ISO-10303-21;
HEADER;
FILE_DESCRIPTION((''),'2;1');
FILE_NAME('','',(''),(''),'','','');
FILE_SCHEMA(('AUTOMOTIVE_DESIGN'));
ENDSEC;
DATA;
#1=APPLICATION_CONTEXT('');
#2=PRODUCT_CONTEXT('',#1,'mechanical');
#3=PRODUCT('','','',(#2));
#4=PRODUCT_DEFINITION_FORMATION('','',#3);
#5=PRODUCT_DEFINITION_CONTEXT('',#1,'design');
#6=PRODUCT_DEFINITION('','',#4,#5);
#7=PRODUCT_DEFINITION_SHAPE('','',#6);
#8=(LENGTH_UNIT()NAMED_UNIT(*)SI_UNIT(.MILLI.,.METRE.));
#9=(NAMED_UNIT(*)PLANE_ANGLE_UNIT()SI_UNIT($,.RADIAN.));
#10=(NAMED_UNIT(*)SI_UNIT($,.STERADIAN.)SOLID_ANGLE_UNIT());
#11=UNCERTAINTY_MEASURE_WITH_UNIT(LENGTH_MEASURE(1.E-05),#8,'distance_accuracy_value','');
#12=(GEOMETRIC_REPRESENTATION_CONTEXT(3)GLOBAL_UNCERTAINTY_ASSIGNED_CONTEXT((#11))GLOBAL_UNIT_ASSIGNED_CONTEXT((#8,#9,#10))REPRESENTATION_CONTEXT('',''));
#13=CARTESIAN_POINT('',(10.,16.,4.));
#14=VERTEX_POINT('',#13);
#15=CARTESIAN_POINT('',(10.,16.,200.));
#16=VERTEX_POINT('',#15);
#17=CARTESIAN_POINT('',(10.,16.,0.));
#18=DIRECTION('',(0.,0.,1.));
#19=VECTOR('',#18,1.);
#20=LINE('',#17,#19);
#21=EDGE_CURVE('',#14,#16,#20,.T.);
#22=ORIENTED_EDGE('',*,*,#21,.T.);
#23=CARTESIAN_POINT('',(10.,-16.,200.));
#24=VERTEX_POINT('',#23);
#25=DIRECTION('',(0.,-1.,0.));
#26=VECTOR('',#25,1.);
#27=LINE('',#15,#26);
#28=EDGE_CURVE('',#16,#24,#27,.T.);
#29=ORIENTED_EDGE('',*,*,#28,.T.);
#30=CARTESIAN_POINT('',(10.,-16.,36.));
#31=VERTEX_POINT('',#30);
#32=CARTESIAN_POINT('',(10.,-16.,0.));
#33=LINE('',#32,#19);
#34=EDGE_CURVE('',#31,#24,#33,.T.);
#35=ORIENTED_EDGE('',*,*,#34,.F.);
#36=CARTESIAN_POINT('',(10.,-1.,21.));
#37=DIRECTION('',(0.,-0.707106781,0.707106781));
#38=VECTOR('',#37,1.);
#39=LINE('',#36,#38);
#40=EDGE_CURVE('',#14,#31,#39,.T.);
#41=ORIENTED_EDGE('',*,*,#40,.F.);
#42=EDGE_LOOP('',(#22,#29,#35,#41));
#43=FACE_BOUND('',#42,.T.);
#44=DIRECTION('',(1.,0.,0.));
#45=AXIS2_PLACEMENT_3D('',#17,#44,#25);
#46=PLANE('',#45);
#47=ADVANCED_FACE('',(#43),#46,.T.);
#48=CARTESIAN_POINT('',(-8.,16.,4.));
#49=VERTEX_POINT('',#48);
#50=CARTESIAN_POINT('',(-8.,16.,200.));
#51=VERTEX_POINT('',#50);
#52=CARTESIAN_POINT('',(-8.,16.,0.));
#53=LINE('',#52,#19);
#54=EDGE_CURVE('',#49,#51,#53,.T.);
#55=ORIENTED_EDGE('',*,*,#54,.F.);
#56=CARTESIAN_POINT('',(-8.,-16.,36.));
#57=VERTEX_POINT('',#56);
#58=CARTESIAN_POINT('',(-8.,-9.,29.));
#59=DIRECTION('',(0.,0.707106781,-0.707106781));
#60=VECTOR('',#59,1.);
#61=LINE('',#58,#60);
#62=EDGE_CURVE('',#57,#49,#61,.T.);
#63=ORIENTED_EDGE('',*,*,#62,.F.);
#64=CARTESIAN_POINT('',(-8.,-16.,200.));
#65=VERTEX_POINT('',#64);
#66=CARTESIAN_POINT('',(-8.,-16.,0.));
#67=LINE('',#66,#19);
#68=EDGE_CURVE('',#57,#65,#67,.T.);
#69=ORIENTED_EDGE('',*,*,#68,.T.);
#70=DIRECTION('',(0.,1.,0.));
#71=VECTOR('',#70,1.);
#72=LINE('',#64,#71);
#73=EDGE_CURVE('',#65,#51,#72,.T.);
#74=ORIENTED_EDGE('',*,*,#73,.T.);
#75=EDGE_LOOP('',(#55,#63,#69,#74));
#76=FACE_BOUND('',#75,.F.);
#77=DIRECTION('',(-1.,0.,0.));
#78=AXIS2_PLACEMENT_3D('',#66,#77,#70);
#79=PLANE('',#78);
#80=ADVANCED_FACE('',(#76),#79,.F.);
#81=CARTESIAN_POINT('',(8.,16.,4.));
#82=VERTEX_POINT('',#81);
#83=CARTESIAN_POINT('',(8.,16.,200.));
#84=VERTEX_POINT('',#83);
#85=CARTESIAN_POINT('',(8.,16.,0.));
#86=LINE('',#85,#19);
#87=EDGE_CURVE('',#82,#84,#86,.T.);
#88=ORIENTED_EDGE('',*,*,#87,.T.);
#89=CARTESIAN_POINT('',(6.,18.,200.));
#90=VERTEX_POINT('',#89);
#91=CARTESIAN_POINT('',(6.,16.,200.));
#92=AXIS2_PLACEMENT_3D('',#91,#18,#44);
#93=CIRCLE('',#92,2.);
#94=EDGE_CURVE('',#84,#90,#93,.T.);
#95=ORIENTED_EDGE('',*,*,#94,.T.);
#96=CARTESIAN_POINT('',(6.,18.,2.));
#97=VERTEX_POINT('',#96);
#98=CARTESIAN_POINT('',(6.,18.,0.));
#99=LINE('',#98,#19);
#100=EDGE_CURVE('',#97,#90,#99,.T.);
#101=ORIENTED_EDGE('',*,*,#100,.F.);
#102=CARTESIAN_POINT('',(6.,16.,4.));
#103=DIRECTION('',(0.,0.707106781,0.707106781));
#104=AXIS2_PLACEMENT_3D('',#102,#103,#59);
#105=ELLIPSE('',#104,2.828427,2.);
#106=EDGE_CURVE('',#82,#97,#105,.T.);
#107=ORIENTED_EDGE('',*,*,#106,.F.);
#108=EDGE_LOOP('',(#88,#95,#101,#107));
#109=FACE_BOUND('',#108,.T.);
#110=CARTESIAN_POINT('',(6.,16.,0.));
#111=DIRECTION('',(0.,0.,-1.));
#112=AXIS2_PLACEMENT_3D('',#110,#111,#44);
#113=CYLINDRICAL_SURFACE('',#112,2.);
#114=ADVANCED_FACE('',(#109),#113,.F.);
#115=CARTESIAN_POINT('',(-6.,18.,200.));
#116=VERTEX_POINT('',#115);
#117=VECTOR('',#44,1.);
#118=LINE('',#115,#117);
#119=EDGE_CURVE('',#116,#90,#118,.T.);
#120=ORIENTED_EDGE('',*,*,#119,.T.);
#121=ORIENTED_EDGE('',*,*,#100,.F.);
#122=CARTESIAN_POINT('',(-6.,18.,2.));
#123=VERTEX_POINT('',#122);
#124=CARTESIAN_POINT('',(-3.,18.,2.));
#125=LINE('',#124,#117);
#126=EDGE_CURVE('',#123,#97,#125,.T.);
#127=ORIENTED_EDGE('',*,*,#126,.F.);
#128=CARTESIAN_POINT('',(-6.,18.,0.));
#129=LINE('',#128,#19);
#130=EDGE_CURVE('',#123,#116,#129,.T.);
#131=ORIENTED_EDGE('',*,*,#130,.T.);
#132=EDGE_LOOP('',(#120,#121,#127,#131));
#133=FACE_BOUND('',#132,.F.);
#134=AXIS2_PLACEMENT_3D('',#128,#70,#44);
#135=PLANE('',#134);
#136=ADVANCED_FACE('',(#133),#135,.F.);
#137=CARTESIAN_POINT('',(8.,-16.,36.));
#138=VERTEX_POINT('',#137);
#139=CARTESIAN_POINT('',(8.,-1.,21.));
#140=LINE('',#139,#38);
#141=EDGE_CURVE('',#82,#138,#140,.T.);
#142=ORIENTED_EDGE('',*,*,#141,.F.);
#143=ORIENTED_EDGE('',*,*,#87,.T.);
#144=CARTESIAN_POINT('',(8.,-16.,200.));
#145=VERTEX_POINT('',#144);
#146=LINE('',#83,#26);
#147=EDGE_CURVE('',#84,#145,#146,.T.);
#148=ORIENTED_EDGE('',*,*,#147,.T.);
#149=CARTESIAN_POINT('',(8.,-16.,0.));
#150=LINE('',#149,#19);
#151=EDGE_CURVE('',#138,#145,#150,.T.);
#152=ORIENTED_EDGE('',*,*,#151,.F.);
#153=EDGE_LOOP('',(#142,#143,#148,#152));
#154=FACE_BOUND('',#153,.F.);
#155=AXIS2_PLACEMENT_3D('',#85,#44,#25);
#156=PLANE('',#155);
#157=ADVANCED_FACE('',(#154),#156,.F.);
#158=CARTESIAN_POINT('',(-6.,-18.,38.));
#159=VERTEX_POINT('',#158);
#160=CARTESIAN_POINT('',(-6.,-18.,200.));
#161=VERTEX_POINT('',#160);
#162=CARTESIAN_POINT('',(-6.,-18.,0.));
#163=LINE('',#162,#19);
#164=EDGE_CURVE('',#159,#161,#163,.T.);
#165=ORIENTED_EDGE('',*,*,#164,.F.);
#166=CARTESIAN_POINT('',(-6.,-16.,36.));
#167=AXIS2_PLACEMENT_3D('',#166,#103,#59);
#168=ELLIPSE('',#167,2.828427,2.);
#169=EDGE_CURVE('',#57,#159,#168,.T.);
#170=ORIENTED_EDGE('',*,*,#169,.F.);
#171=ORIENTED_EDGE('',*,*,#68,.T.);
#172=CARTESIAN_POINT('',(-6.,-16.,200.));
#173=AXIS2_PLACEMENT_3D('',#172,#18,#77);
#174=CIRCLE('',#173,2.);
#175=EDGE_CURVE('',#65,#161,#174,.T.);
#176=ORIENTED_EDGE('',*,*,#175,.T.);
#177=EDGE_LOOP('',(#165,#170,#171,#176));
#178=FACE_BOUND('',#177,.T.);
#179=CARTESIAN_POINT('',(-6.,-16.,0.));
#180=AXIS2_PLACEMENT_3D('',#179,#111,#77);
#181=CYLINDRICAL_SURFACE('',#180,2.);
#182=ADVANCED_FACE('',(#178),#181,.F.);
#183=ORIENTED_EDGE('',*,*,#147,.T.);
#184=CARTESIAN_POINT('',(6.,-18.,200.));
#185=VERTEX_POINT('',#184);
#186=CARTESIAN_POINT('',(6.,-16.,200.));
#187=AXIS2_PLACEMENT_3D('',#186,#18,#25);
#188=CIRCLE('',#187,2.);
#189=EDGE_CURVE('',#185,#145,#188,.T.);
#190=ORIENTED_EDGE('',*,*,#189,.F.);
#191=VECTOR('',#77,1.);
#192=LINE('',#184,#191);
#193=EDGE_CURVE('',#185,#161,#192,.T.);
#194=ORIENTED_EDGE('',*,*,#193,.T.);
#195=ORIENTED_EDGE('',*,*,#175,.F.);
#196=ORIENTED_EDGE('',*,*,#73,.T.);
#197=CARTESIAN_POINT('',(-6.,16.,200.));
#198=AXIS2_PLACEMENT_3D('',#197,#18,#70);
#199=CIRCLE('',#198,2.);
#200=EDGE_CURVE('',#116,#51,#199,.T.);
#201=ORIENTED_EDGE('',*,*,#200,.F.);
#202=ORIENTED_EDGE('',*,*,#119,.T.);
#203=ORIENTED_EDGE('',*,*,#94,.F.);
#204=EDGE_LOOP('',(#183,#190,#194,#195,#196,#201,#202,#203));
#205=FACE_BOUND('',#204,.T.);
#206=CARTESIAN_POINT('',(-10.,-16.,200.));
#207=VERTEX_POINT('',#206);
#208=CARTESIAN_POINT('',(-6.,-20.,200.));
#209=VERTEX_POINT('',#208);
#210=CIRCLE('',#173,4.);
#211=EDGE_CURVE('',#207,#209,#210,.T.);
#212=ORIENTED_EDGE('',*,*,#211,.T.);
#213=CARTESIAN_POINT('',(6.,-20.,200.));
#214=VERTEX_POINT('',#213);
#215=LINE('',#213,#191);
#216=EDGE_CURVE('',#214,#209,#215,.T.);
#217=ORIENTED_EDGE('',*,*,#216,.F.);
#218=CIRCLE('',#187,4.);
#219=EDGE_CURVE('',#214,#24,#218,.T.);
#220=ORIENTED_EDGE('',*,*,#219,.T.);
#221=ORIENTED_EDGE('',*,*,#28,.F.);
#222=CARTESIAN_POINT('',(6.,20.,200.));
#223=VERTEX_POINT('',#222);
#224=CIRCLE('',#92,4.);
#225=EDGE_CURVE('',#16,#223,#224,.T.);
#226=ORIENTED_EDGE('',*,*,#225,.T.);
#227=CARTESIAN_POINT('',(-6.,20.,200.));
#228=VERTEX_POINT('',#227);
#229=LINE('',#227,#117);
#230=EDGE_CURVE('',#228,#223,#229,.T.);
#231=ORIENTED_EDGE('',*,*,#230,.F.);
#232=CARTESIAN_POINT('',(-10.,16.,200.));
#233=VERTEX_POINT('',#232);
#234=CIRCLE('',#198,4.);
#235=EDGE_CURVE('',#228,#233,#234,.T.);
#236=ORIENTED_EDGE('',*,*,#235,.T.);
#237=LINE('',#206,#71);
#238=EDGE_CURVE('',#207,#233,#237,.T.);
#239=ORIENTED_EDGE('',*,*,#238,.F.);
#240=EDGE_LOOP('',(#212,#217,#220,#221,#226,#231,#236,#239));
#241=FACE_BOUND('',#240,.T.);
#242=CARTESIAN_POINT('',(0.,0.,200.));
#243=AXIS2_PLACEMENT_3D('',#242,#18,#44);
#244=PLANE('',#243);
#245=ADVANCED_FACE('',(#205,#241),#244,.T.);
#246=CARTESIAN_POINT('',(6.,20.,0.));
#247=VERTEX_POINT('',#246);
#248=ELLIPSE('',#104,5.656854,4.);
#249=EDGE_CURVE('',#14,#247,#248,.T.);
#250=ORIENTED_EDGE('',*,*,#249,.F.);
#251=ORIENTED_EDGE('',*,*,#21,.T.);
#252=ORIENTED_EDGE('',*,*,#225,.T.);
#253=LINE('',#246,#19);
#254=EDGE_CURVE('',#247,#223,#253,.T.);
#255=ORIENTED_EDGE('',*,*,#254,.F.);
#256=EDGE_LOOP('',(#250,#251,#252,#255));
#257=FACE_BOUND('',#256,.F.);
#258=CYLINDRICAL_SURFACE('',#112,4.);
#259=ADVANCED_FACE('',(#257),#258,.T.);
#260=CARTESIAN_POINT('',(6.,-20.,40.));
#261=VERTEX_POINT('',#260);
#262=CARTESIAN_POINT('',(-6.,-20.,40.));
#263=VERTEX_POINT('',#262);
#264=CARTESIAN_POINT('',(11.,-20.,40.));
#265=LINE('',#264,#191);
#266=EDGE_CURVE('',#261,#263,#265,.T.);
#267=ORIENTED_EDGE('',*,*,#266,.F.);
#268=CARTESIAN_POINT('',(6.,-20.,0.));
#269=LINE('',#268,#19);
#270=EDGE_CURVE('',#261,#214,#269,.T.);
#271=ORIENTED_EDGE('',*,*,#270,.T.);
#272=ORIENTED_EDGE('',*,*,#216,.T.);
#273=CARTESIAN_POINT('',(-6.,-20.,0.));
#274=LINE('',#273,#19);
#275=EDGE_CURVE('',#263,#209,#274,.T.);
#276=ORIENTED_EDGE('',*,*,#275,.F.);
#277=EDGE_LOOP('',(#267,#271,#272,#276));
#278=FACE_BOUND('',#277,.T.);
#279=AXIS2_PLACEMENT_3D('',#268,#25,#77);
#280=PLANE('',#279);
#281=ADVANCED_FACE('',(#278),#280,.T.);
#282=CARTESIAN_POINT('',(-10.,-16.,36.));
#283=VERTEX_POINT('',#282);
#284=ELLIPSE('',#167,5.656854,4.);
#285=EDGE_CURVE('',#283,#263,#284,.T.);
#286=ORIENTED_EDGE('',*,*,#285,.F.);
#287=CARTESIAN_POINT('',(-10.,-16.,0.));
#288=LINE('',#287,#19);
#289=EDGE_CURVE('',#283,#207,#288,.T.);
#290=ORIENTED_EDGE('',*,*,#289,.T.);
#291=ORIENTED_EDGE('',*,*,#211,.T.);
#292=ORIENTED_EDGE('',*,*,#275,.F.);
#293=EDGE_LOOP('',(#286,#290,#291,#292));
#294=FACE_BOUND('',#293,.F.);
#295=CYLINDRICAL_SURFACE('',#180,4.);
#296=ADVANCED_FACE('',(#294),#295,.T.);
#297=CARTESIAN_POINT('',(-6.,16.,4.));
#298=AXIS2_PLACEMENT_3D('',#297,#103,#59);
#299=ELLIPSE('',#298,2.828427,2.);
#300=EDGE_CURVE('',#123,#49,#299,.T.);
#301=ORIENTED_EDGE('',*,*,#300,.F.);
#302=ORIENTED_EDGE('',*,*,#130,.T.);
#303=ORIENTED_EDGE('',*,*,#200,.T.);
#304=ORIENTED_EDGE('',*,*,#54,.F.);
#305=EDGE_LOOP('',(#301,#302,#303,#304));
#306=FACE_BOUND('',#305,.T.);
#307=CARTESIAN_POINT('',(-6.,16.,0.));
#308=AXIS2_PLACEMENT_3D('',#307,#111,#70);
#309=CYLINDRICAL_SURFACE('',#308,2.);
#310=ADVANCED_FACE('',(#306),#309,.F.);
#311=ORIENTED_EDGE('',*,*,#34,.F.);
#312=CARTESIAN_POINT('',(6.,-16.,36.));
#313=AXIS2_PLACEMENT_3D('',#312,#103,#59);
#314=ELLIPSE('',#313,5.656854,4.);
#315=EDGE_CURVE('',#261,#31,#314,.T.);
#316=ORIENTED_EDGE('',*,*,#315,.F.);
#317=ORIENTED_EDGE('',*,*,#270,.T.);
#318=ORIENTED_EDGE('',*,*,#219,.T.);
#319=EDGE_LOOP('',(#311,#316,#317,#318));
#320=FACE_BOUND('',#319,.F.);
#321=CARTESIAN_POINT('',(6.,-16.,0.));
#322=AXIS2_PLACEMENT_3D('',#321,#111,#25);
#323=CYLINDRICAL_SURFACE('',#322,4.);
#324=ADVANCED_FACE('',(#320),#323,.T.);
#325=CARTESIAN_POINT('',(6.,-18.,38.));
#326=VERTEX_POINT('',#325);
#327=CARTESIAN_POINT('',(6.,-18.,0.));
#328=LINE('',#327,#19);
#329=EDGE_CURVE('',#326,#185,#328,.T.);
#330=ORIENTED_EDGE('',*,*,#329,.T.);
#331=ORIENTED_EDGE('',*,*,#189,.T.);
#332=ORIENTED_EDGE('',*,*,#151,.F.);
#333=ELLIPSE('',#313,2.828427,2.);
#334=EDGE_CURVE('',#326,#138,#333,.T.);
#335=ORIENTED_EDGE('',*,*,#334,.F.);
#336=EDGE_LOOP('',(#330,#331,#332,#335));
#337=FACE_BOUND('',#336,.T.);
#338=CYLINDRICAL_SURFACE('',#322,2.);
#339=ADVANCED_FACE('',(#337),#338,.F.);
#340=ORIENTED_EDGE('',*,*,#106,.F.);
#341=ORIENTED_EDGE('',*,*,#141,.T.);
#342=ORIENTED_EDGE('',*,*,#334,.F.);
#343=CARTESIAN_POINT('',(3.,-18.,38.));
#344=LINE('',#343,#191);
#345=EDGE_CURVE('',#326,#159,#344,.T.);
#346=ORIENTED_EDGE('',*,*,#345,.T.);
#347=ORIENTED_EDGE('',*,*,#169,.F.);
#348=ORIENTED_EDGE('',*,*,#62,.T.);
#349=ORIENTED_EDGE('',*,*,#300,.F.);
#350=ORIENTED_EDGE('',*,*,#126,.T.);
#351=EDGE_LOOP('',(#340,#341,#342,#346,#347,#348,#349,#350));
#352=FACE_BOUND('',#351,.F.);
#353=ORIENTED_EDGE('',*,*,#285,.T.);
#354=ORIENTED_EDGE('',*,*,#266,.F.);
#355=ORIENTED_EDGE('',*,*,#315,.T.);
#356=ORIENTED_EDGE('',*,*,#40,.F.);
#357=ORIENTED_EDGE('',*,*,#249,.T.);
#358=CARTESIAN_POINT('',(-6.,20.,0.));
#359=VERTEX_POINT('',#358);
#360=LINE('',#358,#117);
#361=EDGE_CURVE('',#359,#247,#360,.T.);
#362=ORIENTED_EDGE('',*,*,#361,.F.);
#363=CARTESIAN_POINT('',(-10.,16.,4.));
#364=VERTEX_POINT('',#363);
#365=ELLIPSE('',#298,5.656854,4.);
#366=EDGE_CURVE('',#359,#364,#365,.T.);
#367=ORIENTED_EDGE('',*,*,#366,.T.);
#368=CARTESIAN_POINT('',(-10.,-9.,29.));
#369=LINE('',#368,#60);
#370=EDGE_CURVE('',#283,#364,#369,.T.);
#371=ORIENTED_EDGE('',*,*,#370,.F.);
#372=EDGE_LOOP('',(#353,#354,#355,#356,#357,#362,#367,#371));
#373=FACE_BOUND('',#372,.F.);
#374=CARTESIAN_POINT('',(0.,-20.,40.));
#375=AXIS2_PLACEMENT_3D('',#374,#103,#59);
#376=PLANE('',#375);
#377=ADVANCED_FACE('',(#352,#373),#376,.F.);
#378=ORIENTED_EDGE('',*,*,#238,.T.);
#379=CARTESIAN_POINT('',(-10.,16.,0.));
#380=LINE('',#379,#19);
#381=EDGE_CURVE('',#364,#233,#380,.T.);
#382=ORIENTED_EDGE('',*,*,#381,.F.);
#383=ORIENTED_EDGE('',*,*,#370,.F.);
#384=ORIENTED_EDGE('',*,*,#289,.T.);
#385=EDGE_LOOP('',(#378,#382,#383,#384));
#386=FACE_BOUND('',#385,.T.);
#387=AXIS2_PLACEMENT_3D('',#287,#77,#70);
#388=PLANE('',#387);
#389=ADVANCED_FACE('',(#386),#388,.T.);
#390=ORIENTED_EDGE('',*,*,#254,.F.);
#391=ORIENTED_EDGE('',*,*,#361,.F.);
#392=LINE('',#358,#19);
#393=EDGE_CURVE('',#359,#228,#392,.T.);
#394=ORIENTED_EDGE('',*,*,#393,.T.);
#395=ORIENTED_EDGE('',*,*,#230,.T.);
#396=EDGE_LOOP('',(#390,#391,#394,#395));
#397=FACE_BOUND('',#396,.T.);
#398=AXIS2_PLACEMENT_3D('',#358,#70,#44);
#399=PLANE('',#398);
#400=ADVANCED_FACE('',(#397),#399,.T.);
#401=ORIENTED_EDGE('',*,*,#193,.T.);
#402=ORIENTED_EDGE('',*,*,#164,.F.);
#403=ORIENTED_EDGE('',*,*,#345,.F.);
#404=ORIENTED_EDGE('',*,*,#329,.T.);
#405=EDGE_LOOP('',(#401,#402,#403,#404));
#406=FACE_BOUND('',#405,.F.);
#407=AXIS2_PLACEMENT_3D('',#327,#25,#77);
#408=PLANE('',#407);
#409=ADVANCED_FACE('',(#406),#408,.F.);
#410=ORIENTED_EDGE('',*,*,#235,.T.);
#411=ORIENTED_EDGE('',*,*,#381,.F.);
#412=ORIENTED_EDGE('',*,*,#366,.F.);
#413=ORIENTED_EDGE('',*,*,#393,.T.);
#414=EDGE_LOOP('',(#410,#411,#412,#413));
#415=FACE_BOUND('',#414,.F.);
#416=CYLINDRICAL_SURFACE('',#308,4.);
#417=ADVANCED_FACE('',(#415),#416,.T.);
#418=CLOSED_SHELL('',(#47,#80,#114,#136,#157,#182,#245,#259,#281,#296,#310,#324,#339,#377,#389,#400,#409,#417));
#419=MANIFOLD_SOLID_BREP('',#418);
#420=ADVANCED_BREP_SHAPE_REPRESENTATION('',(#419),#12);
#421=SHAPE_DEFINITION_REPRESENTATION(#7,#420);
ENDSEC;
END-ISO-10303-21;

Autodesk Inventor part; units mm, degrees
ref_plane "YZ Plane" through (0, 0, 0) normal (1, 0, 0) x (0, 1, 0)
ref_plane "Start plane" through (0, 0, 0) normal (0, 0, 1) x (1, 0, 0)
ref_plane "End plane" through (0, 0, 200) normal (0, 0, 1) x (1, 0, 0)
sketch "Sketch" plane through (0, 0, 0) normal (0, 0, 1) x (1, 0, 0)
  line L0 (-10, -16) -> (-10, 16)
  line L1 (-6, 20) -> (6, 20)
  line L2 (10, 16) -> (10, -16)
  line L3 (6, -20) -> (-6, -20)
  arc A0 (-10, -16) -> (-6, -20) centre (-6, -16) ccw
  arc A1 (10, 16) -> (6, 20) centre (6, 16) ccw
  arc A2 (-6, 20) -> (-10, 16) centre (-6, 16) ccw
  arc A3 (6, -20) -> (10, -16) centre (6, -16) ccw
  arc A4 (-6, 18) -> (-8, 16) centre (-6, 16) ccw
  line L4 (-6, 18) -> (6, 18)
  arc A5 (8, 16) -> (6, 18) centre (6, 16) ccw
  line L5 (8, 16) -> (8, -16)
  arc A6 (6, -18) -> (8, -16) centre (6, -16) ccw
  line L6 (6, -18) -> (-6, -18)
  arc A7 (-8, -16) -> (-6, -18) centre (-6, -16) ccw
  line L7 (-8, -16) -> (-8, 16)
  line L8 (0, 29.1598) -> (0, -29.1598) construction
  line L9 (-15.1598, 0) -> (15.1598, 0) construction
  dimension "d7" = 4
  dimension "d9" = 20
  dimension "d11" = 40
  dimension "d12" = 2
  dimension "d15" = 10
  dimension "d16" = 20
extrude "Body" add sketch "Sketch" along normal up to surface (200 mm away) from surface at 0
sketch "Sketch3" plane through (0, 0, 0) normal (0, 0, 1) x (1, 0, 0)
  line L0 (0, 0) -> (10, 0)
ref_plane "Work Plane3" through (0, 0, 0) normal (0, -1, 0) x (1, 0, 0)
sketch "Sketch5" plane through (0, 0, 0) normal (1, 0, 0) x (0, 1, 0)
  line L0 (16, 0) -> (20, 0) projected
  line L1 (-20, 40) -> (20, 0)
  line L2 (20, 0) -> (-20, 0)
  line L3 (-20, 0) -> (-20, 40)
  point P0 (0, 0)
  dimension "d22" = 40
  dimension "d23" = 45
extrude "Extrusion2" cut sketch "Sketch5" along normal through all both and the other way through all
sketch "Sketch4" plane through (0, 0, 0) normal (0, -1, 0) x (1, 0, 0)
  line L0 (-2, 0) -> (12, 0) projected
  line L1 (-2, 200) -> (12, 200) projected
  dimension "d18" = 200
equation "\"d7\" = G_IR"
equation "\"d9\" = G_W"
equation "\"d11\" = G_H"
equation "\"d12\" = G_T"
equation "\"d15\" = 0.5 * d9"
equation "\"d16\" = 0.5 * d11"
equation "\"d3\" = G_L"
equation "\"G_W\" = 20"
equation "\"G_H\" = 40"
equation "\"G_T\" = 2"
equation "\"G_IR\" = 4"
equation "\"G_L\" = d18"
equation "\"G_OFFSET_START\" = 0"
equation "\"G_OFFSET_END\" = 0"
properties part number "ISO 4019 - 40x20x2 - 200" material "Steel, Mild"
